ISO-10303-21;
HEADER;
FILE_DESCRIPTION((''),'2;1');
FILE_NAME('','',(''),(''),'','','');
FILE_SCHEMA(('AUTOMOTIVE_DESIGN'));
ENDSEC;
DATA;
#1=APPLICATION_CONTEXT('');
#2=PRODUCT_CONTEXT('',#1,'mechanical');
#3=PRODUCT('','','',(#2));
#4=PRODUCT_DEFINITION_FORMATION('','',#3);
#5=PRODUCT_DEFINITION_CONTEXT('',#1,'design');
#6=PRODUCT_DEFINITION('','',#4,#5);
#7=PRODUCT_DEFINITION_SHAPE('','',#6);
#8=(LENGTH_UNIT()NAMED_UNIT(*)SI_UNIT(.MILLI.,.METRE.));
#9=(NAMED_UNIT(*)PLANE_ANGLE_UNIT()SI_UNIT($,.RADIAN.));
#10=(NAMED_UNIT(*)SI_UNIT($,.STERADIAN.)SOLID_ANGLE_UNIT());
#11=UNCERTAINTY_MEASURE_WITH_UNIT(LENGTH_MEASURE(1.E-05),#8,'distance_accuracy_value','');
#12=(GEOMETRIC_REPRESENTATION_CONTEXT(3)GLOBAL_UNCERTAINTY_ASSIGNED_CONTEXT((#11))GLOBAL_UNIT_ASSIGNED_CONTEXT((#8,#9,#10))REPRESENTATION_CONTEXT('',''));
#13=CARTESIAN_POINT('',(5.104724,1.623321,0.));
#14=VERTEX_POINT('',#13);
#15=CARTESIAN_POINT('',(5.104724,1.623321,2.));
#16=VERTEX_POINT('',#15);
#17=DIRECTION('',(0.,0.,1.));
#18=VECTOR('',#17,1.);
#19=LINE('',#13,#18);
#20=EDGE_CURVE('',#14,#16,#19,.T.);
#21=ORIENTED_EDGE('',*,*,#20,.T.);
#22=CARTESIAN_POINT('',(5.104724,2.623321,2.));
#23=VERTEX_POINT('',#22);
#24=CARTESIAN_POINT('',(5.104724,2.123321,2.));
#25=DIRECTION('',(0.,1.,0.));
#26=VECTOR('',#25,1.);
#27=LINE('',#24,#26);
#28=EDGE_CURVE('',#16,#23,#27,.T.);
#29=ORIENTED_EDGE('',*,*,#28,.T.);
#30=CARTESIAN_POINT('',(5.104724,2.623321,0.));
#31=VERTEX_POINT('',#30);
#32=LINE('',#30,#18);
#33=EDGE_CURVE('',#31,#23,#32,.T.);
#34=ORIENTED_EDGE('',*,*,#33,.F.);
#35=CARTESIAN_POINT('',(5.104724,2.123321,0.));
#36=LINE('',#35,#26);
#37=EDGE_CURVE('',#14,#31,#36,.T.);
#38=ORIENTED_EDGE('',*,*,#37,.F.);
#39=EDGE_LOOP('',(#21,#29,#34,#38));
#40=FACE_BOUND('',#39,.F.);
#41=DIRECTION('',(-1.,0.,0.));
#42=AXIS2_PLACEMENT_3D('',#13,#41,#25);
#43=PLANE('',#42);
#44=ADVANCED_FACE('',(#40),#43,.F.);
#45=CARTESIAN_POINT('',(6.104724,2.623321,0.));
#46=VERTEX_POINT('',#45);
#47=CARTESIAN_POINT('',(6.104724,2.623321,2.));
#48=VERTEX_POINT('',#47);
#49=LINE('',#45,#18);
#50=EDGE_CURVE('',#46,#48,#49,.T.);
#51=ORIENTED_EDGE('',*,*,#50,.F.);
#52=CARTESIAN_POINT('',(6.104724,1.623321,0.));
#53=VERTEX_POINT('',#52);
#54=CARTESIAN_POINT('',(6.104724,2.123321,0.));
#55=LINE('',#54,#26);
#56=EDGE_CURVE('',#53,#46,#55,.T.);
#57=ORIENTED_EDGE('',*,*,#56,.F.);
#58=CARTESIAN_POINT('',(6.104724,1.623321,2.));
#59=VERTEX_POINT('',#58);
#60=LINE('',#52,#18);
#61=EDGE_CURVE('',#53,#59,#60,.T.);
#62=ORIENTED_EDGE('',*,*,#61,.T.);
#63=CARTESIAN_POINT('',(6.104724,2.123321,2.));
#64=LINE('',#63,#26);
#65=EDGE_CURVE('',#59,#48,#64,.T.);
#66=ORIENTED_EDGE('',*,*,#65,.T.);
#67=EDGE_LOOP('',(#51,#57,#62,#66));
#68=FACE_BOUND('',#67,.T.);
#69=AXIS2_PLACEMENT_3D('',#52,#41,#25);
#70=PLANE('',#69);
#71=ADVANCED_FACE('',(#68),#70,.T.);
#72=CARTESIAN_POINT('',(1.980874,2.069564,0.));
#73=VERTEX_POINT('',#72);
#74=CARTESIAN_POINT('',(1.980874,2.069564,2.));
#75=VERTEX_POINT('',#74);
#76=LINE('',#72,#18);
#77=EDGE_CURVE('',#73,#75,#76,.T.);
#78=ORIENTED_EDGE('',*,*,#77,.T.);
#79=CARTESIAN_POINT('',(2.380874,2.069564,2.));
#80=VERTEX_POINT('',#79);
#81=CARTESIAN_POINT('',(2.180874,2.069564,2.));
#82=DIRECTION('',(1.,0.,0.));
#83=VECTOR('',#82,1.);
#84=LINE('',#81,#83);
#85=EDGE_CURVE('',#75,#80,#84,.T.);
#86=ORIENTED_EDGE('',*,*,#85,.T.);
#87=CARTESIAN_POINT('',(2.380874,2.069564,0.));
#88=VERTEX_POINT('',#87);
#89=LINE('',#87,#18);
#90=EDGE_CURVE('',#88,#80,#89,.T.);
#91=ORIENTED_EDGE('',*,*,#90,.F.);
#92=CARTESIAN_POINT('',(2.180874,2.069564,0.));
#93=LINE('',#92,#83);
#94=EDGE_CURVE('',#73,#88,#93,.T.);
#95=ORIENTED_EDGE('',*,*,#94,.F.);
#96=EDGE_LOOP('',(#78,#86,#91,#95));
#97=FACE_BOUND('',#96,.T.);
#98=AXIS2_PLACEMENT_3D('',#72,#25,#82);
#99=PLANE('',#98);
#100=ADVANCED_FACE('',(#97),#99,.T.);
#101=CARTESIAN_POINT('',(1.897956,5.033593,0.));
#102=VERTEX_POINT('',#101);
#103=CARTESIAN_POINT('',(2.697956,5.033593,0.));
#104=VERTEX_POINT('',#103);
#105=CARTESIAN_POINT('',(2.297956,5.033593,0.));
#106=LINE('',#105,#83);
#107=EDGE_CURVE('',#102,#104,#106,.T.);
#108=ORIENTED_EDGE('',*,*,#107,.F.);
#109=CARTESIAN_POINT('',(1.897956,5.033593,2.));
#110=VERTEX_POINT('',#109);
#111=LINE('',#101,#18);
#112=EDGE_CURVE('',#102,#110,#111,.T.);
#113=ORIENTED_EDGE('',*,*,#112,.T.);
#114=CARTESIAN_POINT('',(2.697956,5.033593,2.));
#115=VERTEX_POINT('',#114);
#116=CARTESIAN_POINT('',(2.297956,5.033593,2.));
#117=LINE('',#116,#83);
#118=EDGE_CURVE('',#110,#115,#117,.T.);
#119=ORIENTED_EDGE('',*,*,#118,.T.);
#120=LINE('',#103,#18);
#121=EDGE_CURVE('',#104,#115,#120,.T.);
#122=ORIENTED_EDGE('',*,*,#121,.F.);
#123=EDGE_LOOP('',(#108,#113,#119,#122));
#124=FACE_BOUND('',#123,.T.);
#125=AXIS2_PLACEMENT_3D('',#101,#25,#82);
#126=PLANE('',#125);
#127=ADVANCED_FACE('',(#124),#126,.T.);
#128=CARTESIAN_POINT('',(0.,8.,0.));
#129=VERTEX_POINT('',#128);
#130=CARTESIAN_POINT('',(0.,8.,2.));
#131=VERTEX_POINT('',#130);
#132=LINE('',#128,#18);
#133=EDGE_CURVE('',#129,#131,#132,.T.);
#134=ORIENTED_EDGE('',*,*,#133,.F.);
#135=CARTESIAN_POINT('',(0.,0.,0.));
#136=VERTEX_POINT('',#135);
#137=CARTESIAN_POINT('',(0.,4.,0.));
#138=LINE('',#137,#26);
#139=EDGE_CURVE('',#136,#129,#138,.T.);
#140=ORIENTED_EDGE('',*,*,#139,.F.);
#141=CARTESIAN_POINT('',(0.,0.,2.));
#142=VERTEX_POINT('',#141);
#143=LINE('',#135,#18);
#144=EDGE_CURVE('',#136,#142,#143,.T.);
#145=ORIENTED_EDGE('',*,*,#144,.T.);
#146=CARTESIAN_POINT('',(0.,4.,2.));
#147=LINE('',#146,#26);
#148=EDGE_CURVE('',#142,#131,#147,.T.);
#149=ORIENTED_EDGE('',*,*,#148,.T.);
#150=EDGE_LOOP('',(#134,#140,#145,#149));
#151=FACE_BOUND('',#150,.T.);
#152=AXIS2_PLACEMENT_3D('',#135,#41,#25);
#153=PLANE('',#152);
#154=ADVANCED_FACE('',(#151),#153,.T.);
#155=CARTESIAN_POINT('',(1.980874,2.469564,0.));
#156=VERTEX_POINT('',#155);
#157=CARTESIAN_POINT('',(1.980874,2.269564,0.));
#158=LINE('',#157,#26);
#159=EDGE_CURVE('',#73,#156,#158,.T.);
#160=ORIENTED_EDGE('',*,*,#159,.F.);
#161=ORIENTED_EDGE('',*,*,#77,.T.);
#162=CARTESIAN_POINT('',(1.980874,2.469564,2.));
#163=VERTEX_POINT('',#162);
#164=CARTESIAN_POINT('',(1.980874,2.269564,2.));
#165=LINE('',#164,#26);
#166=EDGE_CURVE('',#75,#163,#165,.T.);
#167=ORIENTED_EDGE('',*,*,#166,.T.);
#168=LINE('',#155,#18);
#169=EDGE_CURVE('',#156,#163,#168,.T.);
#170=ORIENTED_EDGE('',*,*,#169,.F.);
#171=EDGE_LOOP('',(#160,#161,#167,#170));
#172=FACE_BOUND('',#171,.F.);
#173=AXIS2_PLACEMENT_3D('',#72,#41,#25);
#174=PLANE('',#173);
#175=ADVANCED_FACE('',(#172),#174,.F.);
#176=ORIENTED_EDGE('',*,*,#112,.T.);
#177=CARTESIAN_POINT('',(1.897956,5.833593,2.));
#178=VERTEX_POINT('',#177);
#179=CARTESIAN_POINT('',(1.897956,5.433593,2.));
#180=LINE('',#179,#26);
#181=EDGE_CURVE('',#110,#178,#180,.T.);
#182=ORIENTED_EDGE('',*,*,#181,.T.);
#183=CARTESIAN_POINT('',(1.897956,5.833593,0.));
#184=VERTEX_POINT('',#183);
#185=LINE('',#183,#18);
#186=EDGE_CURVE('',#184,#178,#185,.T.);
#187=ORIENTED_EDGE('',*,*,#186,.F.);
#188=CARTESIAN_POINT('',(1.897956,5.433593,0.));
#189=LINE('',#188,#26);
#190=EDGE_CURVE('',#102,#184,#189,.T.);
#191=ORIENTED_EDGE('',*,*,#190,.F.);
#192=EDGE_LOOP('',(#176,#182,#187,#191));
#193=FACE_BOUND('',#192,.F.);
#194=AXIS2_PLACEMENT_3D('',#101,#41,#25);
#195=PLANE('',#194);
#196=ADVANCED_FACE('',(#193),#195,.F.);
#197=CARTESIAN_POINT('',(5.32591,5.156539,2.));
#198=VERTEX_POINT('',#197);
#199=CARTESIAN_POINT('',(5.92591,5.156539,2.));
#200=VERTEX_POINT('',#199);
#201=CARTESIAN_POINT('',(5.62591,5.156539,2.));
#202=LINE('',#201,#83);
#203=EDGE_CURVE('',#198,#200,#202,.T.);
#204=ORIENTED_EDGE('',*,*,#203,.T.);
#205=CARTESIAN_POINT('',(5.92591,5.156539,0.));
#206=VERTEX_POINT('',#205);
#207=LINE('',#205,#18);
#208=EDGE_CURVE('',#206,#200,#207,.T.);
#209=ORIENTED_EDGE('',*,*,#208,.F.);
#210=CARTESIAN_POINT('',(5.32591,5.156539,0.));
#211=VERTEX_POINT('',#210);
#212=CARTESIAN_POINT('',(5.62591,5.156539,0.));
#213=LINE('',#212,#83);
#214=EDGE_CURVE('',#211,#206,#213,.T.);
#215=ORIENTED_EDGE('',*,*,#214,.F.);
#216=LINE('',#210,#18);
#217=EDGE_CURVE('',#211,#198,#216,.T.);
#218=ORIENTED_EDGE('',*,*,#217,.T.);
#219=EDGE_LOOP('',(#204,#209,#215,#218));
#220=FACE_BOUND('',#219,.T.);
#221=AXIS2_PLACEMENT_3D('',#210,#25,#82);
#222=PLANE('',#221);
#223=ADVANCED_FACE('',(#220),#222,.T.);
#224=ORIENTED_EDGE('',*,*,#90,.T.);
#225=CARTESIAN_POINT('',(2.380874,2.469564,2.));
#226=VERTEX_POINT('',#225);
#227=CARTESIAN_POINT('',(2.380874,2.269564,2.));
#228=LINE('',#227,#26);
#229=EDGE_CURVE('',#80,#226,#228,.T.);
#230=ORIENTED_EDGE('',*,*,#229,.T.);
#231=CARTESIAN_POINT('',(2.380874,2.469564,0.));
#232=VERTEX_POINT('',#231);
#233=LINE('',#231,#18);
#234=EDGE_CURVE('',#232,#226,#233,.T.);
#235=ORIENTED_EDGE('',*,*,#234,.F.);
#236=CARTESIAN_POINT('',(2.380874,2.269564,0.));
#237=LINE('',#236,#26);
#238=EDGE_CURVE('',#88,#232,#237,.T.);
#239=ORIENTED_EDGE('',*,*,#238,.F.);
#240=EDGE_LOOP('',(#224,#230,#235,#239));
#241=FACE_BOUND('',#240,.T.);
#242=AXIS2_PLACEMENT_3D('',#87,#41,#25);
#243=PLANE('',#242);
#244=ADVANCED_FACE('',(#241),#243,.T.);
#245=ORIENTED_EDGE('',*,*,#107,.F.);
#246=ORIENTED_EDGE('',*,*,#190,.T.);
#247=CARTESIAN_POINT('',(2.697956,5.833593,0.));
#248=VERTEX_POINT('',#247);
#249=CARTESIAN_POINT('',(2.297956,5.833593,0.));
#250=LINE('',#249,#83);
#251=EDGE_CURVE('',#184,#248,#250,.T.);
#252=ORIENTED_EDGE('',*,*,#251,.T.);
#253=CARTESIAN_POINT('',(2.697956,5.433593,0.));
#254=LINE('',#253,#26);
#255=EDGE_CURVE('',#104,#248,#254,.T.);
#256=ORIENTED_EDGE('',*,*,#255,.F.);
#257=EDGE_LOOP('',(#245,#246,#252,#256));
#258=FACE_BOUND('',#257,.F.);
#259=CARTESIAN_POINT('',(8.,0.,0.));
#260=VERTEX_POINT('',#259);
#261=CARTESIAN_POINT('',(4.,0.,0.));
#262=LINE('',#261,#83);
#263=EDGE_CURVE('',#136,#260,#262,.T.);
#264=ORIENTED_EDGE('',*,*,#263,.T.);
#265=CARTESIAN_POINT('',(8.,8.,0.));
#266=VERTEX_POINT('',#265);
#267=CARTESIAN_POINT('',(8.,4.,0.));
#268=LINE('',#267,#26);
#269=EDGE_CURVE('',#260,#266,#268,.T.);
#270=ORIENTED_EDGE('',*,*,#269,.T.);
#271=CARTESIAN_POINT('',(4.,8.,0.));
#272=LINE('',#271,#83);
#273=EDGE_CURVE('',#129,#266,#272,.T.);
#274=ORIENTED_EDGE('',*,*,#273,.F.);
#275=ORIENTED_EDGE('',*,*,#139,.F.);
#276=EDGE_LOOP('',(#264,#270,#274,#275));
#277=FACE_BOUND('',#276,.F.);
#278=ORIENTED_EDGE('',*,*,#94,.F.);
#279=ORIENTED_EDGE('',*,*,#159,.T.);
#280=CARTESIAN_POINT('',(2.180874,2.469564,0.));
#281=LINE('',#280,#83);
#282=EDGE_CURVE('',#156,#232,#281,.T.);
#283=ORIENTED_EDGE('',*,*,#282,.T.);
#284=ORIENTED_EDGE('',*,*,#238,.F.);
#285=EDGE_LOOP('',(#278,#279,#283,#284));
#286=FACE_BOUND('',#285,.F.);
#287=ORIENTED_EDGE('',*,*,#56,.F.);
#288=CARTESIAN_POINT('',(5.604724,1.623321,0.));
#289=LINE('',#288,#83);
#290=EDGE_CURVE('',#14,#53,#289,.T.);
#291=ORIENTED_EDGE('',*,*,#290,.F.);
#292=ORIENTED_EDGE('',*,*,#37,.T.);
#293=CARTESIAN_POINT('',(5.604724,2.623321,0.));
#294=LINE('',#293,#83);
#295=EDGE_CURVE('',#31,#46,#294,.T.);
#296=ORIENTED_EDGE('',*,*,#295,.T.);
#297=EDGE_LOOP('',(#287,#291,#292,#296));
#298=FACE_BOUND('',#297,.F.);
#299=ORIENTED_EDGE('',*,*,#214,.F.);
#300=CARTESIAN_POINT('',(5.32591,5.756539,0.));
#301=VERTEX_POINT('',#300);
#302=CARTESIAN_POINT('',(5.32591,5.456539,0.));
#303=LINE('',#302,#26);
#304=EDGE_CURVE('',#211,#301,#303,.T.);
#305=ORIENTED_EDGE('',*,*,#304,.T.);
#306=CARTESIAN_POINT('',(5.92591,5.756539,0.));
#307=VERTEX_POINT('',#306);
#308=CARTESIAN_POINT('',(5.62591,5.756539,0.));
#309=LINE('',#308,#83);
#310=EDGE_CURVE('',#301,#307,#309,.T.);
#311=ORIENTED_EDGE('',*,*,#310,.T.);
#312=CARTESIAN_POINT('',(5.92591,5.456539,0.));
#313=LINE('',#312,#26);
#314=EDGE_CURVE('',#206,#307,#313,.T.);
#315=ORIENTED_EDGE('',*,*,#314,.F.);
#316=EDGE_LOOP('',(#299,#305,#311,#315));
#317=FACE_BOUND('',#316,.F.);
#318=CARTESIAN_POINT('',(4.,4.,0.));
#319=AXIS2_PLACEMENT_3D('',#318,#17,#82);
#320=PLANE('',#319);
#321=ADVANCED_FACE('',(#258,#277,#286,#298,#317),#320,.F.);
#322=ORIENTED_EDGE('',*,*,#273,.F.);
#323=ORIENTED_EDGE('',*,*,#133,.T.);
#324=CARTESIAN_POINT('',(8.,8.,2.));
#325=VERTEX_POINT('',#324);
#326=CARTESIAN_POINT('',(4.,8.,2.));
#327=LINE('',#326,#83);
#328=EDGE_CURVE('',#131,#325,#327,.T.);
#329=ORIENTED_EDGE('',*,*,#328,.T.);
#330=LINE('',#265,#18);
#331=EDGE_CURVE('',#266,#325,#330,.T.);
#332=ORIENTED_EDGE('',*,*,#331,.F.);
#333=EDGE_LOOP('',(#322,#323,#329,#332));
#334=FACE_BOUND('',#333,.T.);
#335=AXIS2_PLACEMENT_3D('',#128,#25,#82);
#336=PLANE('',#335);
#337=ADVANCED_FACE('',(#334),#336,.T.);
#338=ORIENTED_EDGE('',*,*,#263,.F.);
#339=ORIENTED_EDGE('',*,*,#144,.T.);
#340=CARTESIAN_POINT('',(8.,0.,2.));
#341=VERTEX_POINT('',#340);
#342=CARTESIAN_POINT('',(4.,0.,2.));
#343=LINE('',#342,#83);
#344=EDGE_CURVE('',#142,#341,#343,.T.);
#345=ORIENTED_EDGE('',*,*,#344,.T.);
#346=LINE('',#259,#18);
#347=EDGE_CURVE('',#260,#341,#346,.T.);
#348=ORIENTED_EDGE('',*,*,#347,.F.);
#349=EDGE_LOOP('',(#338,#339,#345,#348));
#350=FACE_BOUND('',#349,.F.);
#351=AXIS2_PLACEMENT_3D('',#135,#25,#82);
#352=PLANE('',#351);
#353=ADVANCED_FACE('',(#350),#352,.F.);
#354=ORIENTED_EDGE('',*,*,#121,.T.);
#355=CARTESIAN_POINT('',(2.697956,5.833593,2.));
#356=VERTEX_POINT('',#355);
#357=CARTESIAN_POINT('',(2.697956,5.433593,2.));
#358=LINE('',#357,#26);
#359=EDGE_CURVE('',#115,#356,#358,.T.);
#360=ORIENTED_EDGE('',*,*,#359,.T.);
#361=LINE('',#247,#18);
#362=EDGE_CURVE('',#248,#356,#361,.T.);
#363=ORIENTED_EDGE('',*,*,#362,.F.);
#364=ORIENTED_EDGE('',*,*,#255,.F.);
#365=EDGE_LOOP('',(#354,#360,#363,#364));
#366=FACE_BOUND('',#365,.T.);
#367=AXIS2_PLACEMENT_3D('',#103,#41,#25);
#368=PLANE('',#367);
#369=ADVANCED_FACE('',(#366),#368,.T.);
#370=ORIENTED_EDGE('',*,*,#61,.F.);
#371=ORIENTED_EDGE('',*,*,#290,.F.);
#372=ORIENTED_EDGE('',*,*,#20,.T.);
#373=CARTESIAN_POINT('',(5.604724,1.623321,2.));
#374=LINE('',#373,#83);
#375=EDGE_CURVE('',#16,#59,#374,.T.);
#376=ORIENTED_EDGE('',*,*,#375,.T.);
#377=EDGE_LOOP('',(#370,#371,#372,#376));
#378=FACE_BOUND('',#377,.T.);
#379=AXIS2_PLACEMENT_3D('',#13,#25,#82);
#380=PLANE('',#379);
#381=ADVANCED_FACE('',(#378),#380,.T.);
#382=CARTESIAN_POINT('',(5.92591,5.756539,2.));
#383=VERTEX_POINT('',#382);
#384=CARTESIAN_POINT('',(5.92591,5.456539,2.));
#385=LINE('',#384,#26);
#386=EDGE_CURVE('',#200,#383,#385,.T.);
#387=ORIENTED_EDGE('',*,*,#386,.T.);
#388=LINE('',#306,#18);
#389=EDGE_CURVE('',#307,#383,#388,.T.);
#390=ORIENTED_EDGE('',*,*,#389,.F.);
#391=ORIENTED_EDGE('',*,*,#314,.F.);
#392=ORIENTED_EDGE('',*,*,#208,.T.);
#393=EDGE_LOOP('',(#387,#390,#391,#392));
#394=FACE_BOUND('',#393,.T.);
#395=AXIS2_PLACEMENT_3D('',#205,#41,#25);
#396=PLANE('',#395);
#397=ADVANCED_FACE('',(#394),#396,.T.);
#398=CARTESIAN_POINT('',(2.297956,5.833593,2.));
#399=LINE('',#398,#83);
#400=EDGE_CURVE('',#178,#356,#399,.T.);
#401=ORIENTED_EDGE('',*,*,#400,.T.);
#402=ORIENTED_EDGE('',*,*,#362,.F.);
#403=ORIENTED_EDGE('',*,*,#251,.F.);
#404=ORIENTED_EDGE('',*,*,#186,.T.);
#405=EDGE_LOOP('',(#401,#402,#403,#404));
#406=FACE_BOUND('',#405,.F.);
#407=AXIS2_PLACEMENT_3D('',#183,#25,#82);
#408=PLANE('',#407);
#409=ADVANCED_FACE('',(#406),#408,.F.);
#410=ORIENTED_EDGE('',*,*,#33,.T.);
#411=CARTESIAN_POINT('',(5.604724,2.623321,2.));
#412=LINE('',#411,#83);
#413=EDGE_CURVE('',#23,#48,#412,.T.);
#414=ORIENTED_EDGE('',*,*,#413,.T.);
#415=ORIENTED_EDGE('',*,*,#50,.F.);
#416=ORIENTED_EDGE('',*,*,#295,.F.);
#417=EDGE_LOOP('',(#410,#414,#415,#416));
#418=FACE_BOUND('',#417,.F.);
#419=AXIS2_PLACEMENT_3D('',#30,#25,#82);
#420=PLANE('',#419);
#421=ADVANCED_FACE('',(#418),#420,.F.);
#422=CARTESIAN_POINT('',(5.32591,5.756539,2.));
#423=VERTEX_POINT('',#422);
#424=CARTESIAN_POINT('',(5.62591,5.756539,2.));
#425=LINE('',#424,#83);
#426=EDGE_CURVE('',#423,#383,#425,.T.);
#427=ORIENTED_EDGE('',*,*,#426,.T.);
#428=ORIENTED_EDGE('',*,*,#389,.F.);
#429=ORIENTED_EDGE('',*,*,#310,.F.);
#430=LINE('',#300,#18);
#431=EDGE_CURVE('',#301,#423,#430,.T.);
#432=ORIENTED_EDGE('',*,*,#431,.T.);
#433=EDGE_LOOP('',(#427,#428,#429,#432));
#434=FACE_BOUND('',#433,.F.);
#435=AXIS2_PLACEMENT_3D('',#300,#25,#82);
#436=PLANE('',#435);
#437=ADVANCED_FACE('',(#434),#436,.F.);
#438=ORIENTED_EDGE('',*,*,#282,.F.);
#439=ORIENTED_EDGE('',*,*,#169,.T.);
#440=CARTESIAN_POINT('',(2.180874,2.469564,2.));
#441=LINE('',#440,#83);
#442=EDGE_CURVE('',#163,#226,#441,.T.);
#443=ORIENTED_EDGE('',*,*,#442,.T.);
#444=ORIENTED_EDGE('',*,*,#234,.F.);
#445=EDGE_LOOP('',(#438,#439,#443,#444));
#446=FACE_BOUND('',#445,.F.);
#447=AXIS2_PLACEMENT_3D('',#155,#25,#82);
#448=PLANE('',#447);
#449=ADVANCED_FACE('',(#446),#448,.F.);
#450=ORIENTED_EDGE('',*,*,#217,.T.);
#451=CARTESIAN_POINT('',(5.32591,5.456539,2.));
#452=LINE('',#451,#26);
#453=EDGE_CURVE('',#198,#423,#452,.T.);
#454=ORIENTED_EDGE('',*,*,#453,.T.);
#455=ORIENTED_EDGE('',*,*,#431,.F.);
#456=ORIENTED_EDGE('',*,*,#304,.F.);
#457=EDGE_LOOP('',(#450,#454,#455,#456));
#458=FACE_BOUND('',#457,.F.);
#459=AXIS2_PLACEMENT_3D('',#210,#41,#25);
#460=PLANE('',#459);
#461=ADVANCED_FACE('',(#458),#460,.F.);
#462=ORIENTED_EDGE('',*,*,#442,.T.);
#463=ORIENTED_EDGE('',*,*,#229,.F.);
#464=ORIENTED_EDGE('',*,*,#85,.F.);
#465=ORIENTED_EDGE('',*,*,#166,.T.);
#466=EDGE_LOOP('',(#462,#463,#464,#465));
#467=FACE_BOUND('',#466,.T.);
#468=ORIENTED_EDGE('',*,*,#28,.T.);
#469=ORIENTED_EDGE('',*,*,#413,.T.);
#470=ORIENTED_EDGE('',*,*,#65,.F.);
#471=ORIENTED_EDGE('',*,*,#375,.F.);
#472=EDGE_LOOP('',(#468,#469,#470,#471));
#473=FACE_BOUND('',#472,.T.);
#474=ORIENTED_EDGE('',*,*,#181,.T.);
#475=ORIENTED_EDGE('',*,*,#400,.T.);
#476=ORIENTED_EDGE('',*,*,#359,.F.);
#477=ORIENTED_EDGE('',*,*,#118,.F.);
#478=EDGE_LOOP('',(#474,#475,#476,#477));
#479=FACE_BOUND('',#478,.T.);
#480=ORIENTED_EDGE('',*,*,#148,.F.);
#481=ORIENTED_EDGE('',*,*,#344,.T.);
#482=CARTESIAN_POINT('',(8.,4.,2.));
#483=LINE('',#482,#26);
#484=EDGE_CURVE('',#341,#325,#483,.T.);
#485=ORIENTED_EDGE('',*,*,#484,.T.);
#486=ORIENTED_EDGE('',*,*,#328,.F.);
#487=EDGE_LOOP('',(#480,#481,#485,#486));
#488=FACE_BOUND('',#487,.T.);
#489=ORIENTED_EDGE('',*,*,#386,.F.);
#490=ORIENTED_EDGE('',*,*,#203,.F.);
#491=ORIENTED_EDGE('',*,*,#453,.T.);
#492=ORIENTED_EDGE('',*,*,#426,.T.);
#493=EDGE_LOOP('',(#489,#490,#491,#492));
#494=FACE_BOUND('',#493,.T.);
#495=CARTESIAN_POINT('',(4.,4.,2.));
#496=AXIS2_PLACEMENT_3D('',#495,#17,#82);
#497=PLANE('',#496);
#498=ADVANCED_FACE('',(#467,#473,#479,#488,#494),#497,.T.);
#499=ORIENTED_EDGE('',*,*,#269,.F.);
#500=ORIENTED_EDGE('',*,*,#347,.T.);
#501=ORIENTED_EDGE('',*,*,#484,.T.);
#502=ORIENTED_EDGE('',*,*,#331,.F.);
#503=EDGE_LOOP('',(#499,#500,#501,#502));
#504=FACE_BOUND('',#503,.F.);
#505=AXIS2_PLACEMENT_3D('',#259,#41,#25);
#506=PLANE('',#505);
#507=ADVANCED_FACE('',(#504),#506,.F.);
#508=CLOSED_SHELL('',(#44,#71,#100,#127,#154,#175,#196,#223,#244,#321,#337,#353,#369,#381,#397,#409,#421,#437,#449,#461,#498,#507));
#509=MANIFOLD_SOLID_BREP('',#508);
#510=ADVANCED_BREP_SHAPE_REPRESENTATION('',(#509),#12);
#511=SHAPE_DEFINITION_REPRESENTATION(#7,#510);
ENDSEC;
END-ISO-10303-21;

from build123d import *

# Parameters (mm, degrees)
SKETCH_W   = 8
SKETCH_H   = 8
SKETCH_W_2 = 0.4
SKETCH_H_2 = 0.4
SKETCH_W_3 = 0.6
SKETCH_H_3 = 0.6
SKETCH_W_4 = 0.8
SKETCH_H_4 = 0.8
SKETCH_W_5 = 1
SKETCH_H_5 = 1
PAD_DEPTH  = 2


with BuildPart() as part:
    # Sketch → Pad (new body)
    with BuildSketch(Plane.XY):
        with Locations((4, 4)):
            Rectangle(SKETCH_W, SKETCH_H)
        with Locations((2.180874, 2.269564)):
            Rectangle(SKETCH_W_2, SKETCH_H_2, mode=Mode.SUBTRACT)
        with Locations((5.62591, 5.456539)):
            Rectangle(SKETCH_W_3, SKETCH_H_3, mode=Mode.SUBTRACT)
        with Locations((2.297956, 5.433593)):
            Rectangle(SKETCH_W_4, SKETCH_H_4, mode=Mode.SUBTRACT)
        with Locations((5.604724, 2.123321)):
            Rectangle(SKETCH_W_5, SKETCH_H_5, mode=Mode.SUBTRACT)
    extrude(amount=PAD_DEPTH)


solid = part.part
